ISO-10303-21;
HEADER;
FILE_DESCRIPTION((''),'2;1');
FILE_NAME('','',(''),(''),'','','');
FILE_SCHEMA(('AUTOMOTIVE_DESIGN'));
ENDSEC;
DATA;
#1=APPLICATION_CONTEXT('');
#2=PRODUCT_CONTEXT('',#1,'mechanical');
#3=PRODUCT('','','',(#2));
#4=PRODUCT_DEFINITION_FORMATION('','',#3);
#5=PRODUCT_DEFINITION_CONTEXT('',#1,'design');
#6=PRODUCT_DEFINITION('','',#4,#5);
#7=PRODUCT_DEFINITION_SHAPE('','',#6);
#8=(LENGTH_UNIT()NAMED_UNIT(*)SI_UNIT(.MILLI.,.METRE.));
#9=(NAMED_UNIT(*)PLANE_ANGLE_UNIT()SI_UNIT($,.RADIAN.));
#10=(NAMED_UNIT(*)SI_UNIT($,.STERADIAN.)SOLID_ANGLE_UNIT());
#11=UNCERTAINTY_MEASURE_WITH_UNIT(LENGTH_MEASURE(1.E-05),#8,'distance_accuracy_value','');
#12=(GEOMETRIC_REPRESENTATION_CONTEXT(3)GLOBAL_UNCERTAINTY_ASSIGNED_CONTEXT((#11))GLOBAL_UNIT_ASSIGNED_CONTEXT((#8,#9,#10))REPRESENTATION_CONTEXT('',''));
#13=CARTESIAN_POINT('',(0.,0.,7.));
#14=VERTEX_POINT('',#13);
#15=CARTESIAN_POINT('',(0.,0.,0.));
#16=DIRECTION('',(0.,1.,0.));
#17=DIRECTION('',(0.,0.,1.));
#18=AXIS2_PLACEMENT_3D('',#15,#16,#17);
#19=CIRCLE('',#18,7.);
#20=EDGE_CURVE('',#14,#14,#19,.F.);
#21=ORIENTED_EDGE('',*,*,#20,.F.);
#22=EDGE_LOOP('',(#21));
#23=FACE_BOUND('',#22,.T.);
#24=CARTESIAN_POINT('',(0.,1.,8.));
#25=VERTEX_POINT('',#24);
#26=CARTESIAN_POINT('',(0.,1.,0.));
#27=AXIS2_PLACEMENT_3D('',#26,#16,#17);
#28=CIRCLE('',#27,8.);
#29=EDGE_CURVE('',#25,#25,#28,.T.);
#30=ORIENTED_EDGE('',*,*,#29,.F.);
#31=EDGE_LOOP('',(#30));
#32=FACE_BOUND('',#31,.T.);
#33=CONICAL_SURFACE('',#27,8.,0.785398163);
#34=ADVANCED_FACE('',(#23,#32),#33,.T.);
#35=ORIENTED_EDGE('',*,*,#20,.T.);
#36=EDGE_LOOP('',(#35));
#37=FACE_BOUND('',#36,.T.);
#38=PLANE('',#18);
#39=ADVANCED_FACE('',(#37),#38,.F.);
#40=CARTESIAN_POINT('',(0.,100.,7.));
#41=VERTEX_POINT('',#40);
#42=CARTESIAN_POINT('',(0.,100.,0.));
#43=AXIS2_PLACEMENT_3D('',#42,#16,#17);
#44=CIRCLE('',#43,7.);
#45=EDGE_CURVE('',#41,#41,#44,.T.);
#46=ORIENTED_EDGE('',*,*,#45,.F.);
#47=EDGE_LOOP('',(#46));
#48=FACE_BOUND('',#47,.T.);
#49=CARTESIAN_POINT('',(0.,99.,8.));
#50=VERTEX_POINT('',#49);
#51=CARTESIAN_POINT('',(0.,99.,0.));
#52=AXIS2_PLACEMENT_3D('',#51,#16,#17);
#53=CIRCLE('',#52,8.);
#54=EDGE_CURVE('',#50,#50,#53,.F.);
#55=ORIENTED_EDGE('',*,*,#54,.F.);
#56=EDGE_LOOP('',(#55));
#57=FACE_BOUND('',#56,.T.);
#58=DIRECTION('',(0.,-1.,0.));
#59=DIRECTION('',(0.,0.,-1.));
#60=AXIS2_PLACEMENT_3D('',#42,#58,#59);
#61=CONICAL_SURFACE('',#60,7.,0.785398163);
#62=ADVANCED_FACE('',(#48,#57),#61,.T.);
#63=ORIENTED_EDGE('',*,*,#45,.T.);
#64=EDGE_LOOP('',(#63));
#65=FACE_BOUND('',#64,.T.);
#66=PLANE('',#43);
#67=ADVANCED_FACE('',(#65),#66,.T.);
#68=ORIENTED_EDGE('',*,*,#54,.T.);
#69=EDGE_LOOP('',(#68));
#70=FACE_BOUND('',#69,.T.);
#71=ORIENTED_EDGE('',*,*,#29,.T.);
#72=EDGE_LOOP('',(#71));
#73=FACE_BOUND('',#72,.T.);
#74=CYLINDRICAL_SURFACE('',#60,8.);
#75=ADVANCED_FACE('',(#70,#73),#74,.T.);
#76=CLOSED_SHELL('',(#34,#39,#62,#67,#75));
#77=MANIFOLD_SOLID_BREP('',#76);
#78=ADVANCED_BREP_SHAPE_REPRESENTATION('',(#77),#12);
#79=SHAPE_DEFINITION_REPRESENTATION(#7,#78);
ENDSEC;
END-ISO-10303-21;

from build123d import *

# Parameters (mm, degrees)
SKETCH_1_R      = 8
EXTRUDE_1_DEPTH = 100
CHAMFER_1_SIZE  = 1


with BuildPart() as part:
    # 草图1 → 凸台-拉伸1 (new body)
    with BuildSketch(Plane(origin=(0, 0, 0), x_dir=(1, 0, 0), z_dir=(0, 1, 0))):
        with Locations(Location((0, 0, 0), (0, 0, 270))):
            Circle(SKETCH_1_R)
    extrude(amount=EXTRUDE_1_DEPTH)

    # 倒角1
    chamfer_1_edges = [part.edges().sort_by_distance(p)[0] for p in [
        (0, 0, -8),
        (0, 100, -8),
    ]]
    chamfer(chamfer_1_edges, length=CHAMFER_1_SIZE)


solid = part.part
